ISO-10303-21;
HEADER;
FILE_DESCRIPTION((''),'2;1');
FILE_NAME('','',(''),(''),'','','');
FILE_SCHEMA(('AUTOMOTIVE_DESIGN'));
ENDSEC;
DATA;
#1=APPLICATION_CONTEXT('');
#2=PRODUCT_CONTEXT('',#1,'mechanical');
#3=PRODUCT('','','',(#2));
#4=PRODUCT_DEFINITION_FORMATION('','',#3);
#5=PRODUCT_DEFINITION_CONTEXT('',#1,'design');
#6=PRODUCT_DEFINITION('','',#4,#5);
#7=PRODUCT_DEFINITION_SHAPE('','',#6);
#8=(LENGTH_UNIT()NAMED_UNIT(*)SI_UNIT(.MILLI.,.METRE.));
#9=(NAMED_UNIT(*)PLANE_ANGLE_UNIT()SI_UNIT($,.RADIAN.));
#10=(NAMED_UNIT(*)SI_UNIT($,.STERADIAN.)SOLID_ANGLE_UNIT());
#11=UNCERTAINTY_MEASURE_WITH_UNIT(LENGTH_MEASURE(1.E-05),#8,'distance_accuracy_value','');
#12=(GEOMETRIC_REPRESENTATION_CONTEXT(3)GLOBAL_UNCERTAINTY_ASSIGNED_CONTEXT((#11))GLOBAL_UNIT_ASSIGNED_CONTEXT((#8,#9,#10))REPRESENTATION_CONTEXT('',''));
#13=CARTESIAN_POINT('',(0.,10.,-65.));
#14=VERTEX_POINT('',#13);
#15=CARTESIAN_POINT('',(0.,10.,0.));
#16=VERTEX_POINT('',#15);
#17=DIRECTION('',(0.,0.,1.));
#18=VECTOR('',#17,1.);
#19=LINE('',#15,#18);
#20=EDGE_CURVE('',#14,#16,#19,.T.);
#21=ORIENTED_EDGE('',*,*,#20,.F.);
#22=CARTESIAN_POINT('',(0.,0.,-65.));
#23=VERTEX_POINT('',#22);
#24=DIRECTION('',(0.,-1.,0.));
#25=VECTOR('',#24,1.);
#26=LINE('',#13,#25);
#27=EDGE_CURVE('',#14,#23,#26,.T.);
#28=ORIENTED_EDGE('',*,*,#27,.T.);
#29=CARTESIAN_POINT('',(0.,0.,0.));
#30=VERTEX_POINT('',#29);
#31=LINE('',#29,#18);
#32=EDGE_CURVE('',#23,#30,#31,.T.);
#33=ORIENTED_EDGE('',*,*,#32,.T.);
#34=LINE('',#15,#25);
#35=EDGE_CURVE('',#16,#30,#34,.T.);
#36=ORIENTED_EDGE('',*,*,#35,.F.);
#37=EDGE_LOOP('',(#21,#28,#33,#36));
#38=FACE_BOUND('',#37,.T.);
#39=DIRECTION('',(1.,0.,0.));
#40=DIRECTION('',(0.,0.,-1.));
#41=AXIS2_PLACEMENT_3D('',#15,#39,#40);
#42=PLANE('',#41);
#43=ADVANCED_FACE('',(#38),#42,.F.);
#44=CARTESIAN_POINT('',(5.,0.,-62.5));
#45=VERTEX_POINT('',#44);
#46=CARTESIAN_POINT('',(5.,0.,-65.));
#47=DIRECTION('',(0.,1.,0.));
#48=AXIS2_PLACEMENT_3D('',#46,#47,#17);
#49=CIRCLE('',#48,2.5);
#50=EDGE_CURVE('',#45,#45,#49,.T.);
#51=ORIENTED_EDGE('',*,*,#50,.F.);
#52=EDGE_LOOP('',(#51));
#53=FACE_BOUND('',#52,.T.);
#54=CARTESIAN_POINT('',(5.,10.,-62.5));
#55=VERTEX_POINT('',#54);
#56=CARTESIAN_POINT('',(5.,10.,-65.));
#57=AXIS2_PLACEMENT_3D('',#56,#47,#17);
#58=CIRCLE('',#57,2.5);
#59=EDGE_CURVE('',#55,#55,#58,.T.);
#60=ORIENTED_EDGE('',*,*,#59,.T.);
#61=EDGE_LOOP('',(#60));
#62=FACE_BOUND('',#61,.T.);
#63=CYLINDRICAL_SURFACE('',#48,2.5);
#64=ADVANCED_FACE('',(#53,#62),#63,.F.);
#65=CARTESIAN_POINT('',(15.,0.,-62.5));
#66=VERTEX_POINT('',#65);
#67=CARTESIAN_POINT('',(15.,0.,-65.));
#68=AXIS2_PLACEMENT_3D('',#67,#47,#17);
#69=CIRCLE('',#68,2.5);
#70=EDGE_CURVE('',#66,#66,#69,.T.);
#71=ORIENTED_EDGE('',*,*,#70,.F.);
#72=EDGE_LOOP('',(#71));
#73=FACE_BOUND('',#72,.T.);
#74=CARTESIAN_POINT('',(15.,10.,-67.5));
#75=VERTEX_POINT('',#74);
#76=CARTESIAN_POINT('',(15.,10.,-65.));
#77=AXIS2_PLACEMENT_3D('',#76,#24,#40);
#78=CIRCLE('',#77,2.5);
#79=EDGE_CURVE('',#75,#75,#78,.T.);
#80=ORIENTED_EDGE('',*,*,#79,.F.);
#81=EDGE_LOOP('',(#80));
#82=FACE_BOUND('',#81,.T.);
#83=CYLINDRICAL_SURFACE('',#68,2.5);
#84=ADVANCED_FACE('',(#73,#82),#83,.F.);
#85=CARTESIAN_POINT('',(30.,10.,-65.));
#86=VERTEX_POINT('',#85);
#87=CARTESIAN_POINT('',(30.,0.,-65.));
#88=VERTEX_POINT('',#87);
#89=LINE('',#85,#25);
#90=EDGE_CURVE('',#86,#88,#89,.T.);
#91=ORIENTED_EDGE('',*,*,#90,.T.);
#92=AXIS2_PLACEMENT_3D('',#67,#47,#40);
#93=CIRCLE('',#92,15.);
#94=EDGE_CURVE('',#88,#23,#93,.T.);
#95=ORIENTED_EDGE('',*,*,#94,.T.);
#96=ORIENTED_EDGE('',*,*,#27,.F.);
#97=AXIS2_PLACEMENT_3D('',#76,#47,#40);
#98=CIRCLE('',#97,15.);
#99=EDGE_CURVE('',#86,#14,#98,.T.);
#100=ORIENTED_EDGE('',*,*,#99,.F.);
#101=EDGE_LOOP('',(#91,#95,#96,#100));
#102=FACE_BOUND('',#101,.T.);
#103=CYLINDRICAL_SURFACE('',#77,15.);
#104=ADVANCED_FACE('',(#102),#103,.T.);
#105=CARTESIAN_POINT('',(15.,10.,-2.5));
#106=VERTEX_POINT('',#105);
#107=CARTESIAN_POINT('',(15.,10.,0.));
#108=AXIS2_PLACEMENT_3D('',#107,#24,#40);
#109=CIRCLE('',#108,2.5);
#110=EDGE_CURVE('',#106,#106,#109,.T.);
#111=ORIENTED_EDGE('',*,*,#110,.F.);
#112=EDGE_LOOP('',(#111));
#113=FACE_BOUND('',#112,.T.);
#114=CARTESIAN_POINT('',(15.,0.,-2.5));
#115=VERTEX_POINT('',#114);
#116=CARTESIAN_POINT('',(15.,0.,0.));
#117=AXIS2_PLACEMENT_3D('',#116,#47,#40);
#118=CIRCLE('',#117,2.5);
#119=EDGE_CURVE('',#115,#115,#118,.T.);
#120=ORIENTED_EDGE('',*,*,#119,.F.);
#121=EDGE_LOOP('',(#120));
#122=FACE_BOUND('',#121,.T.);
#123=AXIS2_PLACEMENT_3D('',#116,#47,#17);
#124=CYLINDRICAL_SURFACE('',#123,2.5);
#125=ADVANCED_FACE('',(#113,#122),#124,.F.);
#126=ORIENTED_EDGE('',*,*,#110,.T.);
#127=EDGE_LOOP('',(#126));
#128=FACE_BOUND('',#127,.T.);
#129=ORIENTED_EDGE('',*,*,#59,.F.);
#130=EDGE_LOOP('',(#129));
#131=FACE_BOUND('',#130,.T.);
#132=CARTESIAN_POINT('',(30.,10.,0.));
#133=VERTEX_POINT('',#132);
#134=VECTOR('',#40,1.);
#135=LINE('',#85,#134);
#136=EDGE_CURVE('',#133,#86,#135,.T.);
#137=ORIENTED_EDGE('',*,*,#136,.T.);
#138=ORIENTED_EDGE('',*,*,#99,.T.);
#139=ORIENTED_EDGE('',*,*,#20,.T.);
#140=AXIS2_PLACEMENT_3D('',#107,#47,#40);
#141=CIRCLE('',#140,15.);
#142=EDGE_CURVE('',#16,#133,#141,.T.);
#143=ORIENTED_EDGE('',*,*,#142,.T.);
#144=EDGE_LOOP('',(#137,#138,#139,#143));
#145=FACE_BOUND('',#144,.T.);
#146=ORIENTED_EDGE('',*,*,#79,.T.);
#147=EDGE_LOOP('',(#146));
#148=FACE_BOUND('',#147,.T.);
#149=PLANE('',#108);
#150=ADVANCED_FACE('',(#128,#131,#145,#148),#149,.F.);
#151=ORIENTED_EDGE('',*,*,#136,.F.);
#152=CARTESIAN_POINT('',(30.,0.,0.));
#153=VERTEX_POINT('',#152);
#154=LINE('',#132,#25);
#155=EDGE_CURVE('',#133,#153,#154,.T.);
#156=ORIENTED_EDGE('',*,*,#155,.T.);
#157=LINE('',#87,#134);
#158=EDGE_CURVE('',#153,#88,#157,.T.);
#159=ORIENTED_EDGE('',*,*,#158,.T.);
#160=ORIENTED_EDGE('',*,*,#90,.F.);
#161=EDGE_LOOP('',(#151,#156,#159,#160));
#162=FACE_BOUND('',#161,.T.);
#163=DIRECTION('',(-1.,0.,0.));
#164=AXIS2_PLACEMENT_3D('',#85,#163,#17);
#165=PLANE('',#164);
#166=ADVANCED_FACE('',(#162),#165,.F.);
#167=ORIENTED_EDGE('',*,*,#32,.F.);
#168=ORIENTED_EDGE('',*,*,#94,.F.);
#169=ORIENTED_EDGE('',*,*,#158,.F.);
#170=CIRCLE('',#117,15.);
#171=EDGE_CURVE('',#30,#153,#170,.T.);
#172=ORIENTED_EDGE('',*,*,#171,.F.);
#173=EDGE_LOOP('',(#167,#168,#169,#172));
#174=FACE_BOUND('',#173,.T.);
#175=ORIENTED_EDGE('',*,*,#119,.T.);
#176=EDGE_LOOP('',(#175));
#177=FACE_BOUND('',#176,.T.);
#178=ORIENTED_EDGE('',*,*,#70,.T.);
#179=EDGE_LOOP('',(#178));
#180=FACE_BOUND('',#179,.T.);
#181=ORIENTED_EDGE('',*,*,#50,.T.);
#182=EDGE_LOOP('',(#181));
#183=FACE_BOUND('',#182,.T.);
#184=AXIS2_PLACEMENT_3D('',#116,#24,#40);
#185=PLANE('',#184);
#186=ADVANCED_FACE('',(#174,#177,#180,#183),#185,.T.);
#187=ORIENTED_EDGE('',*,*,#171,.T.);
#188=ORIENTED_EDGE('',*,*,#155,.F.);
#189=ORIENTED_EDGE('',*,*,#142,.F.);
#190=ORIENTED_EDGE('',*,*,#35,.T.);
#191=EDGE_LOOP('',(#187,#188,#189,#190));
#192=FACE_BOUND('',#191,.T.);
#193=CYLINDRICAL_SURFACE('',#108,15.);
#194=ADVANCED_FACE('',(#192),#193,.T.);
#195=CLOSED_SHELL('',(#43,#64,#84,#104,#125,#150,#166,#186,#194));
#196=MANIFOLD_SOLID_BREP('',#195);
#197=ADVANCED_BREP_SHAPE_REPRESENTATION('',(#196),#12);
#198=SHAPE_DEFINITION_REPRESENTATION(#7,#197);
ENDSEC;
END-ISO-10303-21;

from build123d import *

# Parameters (mm, degrees)
EXTRUDE_1_DEPTH          = 10
CUT_EXTRUDE_1_DEPTH      = 87.02325267
CUT_EXTRUDE_1_DEPTH_BACK = 87.02325267
SKETCH_2_R               = 2.5
SKETCH_4_R               = 2.5
CUT_EXTRUDE_3_DEPTH      = 10


with BuildPart() as part:
    # 草图1 → 凸台-拉伸1 (new body)
    with BuildSketch(Plane(origin=(0, 0, 0), x_dir=(1, 0, 0), z_dir=(0, 1, 0))):
        with BuildLine():
            Line((0, 0), (0, 65))
            ThreePointArc((0, 65), (15, 80), (30, 65))
            Line((30, 65), (30, 0))
            ThreePointArc((30, 0), (15, -15), (0, 0))
        make_face()
    extrude(amount=EXTRUDE_1_DEPTH)

    # 草图2 → 切除-拉伸1 (cut, two sides: drawn at the far end of the back side and taken through both)
    with BuildSketch(Plane(origin=(0, 10, 0), x_dir=(1, 0, 0), z_dir=(0, 1, 0)).offset(-CUT_EXTRUDE_1_DEPTH_BACK)):
        with Locations(Location((15, 65, 0), (0, 0, 270))):
            Circle(SKETCH_2_R)
        with Locations(Location((15, 0, 0), (0, 0, 90))):
            Circle(SKETCH_2_R)
    extrude(amount=CUT_EXTRUDE_1_DEPTH + CUT_EXTRUDE_1_DEPTH_BACK, mode=Mode.SUBTRACT)

    # 草图4 → 切除-拉伸3 (cut)
    with BuildSketch(Plane(origin=(0, 10, 0), x_dir=(1, 0, 0), z_dir=(0, 1, 0))):
        with Locations(Location((5, 65, 0), (0, 0, 270))):
            Circle(SKETCH_4_R)
    extrude(amount=-CUT_EXTRUDE_3_DEPTH, mode=Mode.SUBTRACT)


solid = part.part
